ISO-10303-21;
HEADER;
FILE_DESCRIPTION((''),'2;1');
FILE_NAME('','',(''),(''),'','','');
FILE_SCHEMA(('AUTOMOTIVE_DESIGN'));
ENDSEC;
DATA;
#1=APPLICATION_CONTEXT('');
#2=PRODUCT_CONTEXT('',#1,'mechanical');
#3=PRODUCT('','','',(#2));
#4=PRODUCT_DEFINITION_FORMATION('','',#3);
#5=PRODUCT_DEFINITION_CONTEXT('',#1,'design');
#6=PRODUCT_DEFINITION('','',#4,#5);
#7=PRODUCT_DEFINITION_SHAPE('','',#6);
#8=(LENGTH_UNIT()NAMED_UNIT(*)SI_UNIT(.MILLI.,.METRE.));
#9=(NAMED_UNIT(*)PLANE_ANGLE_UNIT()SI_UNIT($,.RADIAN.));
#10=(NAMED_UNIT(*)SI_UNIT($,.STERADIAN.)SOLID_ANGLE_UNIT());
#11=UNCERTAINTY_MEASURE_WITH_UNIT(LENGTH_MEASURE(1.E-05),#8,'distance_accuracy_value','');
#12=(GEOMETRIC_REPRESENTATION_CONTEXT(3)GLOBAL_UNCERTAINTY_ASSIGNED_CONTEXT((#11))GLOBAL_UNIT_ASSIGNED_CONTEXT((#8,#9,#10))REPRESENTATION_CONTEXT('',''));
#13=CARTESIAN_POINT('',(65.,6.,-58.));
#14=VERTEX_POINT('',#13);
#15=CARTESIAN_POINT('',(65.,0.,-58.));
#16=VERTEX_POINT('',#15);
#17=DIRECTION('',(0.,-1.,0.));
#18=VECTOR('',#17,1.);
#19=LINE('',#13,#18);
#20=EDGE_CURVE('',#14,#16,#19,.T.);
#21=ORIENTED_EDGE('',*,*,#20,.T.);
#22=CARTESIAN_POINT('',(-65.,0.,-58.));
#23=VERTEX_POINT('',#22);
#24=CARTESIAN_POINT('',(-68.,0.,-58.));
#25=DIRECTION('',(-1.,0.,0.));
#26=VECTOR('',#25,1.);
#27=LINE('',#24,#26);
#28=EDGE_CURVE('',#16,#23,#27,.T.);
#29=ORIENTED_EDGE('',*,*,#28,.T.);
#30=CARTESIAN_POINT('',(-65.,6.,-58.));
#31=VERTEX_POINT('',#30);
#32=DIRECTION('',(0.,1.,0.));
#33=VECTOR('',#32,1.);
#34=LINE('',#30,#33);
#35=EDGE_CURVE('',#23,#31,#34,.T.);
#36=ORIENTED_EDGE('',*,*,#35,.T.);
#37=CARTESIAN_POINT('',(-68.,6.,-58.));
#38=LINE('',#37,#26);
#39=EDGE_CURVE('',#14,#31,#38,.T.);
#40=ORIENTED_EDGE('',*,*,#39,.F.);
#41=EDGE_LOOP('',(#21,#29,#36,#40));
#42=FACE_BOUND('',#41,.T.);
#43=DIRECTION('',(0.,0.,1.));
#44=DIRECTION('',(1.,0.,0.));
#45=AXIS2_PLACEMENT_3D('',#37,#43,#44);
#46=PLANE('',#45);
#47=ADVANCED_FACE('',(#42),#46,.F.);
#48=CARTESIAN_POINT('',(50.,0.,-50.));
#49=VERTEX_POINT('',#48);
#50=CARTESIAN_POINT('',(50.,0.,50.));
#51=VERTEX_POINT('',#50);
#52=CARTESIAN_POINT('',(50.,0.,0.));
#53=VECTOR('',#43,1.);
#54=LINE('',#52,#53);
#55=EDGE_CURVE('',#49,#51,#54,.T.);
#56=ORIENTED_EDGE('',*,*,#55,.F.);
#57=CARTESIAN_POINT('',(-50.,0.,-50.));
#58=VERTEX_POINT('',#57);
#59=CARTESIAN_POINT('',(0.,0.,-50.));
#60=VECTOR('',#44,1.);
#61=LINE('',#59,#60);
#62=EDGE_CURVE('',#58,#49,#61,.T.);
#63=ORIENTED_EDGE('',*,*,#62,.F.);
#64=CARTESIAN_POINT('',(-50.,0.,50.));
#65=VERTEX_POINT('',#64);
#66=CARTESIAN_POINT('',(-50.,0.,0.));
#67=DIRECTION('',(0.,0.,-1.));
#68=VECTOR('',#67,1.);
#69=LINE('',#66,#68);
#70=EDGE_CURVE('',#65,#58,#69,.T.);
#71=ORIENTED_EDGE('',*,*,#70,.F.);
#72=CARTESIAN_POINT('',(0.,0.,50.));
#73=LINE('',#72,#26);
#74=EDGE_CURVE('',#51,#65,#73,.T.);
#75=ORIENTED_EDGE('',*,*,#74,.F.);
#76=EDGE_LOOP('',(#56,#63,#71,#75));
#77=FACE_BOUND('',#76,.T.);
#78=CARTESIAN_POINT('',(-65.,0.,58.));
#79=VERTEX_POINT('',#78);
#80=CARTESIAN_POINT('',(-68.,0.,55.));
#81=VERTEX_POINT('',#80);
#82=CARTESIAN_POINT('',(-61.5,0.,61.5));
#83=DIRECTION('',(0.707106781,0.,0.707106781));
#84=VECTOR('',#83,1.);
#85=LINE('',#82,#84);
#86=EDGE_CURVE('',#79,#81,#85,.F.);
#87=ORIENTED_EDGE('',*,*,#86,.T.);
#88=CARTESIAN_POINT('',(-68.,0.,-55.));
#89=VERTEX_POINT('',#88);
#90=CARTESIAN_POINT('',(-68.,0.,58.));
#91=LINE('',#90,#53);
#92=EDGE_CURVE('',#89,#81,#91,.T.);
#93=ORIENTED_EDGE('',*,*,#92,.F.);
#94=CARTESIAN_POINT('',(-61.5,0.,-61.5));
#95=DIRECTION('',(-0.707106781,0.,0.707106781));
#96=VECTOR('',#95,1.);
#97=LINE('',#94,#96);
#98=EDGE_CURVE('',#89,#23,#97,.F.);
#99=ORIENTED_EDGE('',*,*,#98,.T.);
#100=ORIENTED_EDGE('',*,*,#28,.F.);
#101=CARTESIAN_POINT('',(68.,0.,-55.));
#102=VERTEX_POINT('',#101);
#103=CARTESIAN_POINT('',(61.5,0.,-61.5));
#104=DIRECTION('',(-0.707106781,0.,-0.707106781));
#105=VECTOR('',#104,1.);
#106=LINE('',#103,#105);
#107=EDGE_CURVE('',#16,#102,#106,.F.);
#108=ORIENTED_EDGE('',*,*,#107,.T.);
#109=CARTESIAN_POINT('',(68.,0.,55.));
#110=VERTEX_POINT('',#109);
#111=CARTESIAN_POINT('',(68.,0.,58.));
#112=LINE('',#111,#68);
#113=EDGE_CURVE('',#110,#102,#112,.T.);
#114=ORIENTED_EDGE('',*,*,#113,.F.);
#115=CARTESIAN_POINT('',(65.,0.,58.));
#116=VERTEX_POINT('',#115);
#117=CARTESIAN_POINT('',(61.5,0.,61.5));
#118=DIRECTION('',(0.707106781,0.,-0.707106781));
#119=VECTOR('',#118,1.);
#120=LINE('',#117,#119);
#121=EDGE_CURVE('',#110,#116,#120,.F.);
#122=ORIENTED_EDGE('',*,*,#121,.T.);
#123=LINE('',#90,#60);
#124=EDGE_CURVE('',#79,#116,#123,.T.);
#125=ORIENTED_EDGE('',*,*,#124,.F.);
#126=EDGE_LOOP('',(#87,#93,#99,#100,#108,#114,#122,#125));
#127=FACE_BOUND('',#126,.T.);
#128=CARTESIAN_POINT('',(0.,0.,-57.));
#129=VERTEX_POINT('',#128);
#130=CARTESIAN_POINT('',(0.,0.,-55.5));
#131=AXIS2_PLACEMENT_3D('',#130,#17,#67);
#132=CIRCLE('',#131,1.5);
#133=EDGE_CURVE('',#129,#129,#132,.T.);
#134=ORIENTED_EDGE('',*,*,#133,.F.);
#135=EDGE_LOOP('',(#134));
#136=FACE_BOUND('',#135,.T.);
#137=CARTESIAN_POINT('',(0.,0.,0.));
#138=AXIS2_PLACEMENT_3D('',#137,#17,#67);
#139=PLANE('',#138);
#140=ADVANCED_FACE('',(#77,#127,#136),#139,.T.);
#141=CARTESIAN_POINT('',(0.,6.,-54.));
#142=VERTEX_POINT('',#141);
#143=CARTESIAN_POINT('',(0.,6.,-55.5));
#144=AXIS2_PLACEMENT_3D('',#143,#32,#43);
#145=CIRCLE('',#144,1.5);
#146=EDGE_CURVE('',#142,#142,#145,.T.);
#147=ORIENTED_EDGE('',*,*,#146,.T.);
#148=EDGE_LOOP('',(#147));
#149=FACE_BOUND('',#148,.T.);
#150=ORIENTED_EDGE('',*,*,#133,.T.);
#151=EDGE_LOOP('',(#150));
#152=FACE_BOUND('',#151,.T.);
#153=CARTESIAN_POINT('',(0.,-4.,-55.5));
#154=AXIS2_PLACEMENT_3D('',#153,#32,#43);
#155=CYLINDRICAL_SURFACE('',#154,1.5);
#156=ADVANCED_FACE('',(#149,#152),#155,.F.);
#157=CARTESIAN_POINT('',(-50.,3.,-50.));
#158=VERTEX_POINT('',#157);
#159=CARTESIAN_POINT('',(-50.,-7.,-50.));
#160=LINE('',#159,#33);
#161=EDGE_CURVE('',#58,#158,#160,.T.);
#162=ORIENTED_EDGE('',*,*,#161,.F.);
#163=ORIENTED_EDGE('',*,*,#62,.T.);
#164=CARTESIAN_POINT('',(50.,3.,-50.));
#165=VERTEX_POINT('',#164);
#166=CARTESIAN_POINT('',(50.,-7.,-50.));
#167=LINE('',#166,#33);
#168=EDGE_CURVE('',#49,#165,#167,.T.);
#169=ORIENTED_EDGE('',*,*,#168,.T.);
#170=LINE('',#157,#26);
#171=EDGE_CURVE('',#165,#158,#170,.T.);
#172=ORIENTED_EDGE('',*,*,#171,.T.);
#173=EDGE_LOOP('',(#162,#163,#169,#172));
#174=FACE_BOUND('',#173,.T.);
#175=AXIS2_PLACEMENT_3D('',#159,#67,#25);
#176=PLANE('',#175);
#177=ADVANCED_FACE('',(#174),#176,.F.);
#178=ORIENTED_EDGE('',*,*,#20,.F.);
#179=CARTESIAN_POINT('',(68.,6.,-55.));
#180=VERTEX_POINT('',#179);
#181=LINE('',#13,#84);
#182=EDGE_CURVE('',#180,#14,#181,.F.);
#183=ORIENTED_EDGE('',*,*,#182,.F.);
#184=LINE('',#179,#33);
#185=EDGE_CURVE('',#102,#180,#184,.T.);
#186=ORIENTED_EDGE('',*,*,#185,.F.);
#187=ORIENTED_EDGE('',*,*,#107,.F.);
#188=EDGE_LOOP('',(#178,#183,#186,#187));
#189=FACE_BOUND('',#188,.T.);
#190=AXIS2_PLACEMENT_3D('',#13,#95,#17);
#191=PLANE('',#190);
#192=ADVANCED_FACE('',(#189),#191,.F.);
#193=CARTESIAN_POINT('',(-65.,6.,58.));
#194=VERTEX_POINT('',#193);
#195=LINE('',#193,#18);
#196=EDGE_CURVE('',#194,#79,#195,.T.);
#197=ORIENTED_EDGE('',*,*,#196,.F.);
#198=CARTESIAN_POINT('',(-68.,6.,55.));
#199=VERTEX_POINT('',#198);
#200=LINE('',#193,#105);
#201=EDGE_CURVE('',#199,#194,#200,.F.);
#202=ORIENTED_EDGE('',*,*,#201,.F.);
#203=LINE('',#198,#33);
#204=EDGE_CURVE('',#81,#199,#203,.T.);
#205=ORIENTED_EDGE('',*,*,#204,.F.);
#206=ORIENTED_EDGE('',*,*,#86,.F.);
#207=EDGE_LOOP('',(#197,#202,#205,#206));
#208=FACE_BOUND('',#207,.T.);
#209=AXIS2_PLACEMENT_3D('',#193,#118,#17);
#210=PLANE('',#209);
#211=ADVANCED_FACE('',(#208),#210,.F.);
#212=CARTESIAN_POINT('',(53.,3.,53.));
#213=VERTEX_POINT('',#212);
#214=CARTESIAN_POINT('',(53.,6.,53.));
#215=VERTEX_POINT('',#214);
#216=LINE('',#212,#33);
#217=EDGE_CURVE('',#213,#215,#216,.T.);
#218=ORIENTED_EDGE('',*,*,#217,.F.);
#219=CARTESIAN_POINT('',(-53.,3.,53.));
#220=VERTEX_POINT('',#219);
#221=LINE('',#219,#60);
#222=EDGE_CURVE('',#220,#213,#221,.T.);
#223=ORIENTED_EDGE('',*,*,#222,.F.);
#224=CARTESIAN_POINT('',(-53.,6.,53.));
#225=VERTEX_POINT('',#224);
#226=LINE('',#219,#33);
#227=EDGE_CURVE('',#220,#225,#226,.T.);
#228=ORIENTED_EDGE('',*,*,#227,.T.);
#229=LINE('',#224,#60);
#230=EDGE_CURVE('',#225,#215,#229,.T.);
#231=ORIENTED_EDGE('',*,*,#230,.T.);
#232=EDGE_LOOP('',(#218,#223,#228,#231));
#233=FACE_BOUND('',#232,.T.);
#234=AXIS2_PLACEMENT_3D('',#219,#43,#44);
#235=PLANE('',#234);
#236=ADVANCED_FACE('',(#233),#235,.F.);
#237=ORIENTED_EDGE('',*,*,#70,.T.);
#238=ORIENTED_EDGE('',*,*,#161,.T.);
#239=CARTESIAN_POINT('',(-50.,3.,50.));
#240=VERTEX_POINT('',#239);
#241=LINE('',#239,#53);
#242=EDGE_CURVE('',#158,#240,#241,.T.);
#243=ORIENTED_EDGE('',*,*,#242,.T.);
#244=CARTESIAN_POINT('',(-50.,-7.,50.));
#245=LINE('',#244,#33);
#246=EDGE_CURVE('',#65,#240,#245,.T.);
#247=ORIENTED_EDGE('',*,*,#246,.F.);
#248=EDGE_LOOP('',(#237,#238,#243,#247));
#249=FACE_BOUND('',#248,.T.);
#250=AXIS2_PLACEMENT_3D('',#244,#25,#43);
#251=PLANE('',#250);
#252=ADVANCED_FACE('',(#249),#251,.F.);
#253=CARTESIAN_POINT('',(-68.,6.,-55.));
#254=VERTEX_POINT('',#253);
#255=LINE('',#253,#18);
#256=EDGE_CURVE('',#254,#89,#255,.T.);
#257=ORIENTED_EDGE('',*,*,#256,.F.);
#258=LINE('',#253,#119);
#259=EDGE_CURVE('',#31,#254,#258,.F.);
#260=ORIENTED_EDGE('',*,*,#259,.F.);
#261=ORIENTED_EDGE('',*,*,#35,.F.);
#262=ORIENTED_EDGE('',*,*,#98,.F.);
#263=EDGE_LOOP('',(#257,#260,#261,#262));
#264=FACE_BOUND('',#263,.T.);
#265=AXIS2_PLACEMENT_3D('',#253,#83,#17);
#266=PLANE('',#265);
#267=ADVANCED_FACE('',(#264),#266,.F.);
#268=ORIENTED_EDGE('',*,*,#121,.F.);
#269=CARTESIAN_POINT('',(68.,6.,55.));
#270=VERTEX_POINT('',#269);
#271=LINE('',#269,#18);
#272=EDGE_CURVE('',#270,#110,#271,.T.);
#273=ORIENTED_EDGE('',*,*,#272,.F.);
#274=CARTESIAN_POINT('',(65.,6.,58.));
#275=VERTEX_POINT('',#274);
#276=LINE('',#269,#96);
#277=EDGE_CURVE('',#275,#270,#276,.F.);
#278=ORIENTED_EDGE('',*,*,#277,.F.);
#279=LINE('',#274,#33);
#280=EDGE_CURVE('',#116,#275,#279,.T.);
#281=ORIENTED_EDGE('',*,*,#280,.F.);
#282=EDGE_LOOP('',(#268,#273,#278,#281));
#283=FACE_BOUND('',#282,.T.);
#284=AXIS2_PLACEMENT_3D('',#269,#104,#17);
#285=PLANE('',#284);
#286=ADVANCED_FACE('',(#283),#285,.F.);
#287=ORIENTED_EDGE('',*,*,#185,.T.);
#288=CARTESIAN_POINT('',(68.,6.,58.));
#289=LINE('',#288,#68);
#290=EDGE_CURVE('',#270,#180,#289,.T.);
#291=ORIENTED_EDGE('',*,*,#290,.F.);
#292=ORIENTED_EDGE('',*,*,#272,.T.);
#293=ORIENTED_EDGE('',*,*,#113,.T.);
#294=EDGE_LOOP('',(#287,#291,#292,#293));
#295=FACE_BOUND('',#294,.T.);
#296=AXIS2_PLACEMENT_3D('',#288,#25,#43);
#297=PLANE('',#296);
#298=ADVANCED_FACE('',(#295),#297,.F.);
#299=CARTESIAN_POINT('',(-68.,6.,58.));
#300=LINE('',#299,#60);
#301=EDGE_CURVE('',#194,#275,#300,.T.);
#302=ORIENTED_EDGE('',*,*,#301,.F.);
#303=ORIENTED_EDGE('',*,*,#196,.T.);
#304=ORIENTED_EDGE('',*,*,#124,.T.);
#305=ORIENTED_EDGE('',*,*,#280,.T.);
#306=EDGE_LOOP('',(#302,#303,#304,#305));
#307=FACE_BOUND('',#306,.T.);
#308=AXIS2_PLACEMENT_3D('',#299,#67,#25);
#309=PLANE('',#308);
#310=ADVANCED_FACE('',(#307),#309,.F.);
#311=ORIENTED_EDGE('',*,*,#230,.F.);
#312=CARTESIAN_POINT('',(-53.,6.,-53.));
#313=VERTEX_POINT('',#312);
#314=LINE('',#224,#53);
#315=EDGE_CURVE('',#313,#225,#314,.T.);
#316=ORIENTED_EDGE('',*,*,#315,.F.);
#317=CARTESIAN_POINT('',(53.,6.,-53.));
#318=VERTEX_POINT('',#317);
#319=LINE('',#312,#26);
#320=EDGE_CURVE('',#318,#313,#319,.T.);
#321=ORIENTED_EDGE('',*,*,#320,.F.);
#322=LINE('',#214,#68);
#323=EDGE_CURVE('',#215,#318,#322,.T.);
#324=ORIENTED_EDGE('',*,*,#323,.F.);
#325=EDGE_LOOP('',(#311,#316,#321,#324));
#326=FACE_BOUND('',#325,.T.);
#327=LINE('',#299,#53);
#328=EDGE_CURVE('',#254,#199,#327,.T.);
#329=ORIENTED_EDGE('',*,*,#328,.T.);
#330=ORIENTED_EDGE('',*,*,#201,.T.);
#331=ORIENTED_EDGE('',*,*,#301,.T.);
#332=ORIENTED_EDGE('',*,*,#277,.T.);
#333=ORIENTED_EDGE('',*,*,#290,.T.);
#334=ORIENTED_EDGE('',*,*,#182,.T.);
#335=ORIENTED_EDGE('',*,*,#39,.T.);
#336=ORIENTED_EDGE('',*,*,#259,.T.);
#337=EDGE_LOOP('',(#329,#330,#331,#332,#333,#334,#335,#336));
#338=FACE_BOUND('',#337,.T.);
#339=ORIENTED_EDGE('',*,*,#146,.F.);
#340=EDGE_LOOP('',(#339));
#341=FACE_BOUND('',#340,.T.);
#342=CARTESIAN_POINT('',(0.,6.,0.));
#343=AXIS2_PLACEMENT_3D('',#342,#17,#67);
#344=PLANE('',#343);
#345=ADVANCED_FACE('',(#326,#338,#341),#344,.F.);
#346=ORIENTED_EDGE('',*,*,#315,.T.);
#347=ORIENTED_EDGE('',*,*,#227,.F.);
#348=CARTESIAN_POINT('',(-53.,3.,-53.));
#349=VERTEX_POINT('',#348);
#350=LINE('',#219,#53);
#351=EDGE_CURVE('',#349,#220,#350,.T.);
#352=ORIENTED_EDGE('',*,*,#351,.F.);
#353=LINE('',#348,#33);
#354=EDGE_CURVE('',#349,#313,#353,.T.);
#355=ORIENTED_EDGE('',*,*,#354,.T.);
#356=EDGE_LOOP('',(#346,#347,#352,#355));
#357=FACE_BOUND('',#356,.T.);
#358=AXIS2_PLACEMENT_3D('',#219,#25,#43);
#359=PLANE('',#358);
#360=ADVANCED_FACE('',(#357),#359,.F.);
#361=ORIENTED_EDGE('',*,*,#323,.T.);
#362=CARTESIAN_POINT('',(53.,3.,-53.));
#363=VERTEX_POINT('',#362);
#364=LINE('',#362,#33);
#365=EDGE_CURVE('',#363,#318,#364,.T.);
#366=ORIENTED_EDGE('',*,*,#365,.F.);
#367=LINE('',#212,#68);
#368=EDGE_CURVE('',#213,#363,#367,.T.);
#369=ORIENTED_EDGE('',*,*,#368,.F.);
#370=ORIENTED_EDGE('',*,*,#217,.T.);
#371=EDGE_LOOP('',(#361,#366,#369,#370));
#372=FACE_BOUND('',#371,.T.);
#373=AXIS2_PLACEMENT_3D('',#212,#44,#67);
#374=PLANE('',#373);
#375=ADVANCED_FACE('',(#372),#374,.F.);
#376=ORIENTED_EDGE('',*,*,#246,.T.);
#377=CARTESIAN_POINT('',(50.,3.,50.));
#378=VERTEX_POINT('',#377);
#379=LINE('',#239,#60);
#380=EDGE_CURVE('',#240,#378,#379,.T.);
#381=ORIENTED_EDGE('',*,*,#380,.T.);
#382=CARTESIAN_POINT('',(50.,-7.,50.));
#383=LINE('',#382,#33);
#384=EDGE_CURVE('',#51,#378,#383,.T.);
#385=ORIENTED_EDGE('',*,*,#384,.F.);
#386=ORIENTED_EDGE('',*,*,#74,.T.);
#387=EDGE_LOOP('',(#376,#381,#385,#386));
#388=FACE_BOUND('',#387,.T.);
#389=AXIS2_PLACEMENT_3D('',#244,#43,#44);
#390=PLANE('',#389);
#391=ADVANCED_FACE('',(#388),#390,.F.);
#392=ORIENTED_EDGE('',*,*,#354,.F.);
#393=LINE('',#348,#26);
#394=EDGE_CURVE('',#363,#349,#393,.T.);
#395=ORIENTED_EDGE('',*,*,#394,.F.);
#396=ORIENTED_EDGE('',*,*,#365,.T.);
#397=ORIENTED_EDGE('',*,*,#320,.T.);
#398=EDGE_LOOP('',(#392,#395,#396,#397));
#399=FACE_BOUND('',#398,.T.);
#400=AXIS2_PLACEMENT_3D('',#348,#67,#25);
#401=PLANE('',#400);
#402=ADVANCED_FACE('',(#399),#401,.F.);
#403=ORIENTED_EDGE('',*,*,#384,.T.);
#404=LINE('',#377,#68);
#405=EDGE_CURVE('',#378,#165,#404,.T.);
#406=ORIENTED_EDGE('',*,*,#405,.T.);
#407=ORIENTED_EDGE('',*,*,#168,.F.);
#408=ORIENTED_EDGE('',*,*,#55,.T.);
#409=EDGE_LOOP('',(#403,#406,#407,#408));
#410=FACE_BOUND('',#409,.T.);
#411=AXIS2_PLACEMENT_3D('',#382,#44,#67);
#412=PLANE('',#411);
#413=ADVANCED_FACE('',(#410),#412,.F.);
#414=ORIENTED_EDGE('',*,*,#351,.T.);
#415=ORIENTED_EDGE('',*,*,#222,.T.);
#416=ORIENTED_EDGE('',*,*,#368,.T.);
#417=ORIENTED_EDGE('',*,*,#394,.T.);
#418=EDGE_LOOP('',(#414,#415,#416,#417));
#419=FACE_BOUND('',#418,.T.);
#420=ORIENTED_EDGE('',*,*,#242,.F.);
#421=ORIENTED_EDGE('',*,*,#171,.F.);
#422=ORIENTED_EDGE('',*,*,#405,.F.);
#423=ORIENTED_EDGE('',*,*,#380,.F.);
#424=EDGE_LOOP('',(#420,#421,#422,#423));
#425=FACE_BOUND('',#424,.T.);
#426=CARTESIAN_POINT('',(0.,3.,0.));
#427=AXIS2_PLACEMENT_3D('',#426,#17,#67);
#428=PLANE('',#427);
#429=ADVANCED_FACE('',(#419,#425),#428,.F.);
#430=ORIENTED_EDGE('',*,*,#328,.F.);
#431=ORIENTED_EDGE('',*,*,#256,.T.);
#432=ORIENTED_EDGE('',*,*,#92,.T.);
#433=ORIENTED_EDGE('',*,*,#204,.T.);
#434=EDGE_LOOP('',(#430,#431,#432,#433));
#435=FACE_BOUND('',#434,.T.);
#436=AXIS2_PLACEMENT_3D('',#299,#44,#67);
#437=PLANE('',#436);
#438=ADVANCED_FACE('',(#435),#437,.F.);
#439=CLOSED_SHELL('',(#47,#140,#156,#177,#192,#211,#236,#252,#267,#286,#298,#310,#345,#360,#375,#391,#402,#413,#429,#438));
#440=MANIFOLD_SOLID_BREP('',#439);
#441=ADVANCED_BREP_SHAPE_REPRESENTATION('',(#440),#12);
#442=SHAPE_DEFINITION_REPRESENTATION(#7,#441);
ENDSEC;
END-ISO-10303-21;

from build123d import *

# Parameters (mm, degrees)
SKETCH_3_W          = 136
SKETCH_3_H          = 116
EXTRUDE_2_DEPTH     = 6
SKETCH_4_W          = 106
SKETCH_4_H          = 106
CUT_EXTRUDE_1_DEPTH = 3
SKETCH_5_W          = 100
SKETCH_5_H          = 100
CUT_EXTRUDE_2_DEPTH = 10
CHAMFER_1_SIZE      = 3
SKETCH_6_R          = 1.5
CUT_EXTRUDE_3_DEPTH = 10


with BuildPart() as part:
    # 스케치3 → 보스-돌출2 (new body)
    with BuildSketch(Plane(origin=(0, 0, 0), x_dir=(1, 0, 0), z_dir=(0, 1, 0))):
        Rectangle(SKETCH_3_W, SKETCH_3_H)
    extrude(amount=EXTRUDE_2_DEPTH)

    # 스케치4 → 컷-돌출1 (cut)
    with BuildSketch(Plane(origin=(0, 6, 0), x_dir=(1, 0, 0), z_dir=(0, 1, 0))):
        Rectangle(SKETCH_4_W, SKETCH_4_H)
    extrude(amount=-CUT_EXTRUDE_1_DEPTH, mode=Mode.SUBTRACT)

    # 스케치5 → 컷-돌출2 (cut)
    with BuildSketch(Plane(origin=(0, 3, 0), x_dir=(1, 0, 0), z_dir=(0, 1, 0))):
        Rectangle(SKETCH_5_W, SKETCH_5_H)
    extrude(amount=-CUT_EXTRUDE_2_DEPTH, mode=Mode.SUBTRACT)

    # 모따기1
    chamfer_1_edges = [part.edges().sort_by_distance(p)[0] for p in [
        (68, 3, 58),
        (-68, 3, 58),
        (-68, 3, -58),
        (68, 3, -58),
    ]]
    chamfer(chamfer_1_edges, length=CHAMFER_1_SIZE)

    # 스케치6 → 컷-돌출3 (cut)
    with BuildSketch(Plane(origin=(0, 6, 0), x_dir=(1, 0, 0), z_dir=(0, 1, 0))):
        with Locations(Location((0, 55.5, 0), (0, 0, 270))):
            Circle(SKETCH_6_R)
    extrude(amount=-CUT_EXTRUDE_3_DEPTH, mode=Mode.SUBTRACT)


solid = part.part
